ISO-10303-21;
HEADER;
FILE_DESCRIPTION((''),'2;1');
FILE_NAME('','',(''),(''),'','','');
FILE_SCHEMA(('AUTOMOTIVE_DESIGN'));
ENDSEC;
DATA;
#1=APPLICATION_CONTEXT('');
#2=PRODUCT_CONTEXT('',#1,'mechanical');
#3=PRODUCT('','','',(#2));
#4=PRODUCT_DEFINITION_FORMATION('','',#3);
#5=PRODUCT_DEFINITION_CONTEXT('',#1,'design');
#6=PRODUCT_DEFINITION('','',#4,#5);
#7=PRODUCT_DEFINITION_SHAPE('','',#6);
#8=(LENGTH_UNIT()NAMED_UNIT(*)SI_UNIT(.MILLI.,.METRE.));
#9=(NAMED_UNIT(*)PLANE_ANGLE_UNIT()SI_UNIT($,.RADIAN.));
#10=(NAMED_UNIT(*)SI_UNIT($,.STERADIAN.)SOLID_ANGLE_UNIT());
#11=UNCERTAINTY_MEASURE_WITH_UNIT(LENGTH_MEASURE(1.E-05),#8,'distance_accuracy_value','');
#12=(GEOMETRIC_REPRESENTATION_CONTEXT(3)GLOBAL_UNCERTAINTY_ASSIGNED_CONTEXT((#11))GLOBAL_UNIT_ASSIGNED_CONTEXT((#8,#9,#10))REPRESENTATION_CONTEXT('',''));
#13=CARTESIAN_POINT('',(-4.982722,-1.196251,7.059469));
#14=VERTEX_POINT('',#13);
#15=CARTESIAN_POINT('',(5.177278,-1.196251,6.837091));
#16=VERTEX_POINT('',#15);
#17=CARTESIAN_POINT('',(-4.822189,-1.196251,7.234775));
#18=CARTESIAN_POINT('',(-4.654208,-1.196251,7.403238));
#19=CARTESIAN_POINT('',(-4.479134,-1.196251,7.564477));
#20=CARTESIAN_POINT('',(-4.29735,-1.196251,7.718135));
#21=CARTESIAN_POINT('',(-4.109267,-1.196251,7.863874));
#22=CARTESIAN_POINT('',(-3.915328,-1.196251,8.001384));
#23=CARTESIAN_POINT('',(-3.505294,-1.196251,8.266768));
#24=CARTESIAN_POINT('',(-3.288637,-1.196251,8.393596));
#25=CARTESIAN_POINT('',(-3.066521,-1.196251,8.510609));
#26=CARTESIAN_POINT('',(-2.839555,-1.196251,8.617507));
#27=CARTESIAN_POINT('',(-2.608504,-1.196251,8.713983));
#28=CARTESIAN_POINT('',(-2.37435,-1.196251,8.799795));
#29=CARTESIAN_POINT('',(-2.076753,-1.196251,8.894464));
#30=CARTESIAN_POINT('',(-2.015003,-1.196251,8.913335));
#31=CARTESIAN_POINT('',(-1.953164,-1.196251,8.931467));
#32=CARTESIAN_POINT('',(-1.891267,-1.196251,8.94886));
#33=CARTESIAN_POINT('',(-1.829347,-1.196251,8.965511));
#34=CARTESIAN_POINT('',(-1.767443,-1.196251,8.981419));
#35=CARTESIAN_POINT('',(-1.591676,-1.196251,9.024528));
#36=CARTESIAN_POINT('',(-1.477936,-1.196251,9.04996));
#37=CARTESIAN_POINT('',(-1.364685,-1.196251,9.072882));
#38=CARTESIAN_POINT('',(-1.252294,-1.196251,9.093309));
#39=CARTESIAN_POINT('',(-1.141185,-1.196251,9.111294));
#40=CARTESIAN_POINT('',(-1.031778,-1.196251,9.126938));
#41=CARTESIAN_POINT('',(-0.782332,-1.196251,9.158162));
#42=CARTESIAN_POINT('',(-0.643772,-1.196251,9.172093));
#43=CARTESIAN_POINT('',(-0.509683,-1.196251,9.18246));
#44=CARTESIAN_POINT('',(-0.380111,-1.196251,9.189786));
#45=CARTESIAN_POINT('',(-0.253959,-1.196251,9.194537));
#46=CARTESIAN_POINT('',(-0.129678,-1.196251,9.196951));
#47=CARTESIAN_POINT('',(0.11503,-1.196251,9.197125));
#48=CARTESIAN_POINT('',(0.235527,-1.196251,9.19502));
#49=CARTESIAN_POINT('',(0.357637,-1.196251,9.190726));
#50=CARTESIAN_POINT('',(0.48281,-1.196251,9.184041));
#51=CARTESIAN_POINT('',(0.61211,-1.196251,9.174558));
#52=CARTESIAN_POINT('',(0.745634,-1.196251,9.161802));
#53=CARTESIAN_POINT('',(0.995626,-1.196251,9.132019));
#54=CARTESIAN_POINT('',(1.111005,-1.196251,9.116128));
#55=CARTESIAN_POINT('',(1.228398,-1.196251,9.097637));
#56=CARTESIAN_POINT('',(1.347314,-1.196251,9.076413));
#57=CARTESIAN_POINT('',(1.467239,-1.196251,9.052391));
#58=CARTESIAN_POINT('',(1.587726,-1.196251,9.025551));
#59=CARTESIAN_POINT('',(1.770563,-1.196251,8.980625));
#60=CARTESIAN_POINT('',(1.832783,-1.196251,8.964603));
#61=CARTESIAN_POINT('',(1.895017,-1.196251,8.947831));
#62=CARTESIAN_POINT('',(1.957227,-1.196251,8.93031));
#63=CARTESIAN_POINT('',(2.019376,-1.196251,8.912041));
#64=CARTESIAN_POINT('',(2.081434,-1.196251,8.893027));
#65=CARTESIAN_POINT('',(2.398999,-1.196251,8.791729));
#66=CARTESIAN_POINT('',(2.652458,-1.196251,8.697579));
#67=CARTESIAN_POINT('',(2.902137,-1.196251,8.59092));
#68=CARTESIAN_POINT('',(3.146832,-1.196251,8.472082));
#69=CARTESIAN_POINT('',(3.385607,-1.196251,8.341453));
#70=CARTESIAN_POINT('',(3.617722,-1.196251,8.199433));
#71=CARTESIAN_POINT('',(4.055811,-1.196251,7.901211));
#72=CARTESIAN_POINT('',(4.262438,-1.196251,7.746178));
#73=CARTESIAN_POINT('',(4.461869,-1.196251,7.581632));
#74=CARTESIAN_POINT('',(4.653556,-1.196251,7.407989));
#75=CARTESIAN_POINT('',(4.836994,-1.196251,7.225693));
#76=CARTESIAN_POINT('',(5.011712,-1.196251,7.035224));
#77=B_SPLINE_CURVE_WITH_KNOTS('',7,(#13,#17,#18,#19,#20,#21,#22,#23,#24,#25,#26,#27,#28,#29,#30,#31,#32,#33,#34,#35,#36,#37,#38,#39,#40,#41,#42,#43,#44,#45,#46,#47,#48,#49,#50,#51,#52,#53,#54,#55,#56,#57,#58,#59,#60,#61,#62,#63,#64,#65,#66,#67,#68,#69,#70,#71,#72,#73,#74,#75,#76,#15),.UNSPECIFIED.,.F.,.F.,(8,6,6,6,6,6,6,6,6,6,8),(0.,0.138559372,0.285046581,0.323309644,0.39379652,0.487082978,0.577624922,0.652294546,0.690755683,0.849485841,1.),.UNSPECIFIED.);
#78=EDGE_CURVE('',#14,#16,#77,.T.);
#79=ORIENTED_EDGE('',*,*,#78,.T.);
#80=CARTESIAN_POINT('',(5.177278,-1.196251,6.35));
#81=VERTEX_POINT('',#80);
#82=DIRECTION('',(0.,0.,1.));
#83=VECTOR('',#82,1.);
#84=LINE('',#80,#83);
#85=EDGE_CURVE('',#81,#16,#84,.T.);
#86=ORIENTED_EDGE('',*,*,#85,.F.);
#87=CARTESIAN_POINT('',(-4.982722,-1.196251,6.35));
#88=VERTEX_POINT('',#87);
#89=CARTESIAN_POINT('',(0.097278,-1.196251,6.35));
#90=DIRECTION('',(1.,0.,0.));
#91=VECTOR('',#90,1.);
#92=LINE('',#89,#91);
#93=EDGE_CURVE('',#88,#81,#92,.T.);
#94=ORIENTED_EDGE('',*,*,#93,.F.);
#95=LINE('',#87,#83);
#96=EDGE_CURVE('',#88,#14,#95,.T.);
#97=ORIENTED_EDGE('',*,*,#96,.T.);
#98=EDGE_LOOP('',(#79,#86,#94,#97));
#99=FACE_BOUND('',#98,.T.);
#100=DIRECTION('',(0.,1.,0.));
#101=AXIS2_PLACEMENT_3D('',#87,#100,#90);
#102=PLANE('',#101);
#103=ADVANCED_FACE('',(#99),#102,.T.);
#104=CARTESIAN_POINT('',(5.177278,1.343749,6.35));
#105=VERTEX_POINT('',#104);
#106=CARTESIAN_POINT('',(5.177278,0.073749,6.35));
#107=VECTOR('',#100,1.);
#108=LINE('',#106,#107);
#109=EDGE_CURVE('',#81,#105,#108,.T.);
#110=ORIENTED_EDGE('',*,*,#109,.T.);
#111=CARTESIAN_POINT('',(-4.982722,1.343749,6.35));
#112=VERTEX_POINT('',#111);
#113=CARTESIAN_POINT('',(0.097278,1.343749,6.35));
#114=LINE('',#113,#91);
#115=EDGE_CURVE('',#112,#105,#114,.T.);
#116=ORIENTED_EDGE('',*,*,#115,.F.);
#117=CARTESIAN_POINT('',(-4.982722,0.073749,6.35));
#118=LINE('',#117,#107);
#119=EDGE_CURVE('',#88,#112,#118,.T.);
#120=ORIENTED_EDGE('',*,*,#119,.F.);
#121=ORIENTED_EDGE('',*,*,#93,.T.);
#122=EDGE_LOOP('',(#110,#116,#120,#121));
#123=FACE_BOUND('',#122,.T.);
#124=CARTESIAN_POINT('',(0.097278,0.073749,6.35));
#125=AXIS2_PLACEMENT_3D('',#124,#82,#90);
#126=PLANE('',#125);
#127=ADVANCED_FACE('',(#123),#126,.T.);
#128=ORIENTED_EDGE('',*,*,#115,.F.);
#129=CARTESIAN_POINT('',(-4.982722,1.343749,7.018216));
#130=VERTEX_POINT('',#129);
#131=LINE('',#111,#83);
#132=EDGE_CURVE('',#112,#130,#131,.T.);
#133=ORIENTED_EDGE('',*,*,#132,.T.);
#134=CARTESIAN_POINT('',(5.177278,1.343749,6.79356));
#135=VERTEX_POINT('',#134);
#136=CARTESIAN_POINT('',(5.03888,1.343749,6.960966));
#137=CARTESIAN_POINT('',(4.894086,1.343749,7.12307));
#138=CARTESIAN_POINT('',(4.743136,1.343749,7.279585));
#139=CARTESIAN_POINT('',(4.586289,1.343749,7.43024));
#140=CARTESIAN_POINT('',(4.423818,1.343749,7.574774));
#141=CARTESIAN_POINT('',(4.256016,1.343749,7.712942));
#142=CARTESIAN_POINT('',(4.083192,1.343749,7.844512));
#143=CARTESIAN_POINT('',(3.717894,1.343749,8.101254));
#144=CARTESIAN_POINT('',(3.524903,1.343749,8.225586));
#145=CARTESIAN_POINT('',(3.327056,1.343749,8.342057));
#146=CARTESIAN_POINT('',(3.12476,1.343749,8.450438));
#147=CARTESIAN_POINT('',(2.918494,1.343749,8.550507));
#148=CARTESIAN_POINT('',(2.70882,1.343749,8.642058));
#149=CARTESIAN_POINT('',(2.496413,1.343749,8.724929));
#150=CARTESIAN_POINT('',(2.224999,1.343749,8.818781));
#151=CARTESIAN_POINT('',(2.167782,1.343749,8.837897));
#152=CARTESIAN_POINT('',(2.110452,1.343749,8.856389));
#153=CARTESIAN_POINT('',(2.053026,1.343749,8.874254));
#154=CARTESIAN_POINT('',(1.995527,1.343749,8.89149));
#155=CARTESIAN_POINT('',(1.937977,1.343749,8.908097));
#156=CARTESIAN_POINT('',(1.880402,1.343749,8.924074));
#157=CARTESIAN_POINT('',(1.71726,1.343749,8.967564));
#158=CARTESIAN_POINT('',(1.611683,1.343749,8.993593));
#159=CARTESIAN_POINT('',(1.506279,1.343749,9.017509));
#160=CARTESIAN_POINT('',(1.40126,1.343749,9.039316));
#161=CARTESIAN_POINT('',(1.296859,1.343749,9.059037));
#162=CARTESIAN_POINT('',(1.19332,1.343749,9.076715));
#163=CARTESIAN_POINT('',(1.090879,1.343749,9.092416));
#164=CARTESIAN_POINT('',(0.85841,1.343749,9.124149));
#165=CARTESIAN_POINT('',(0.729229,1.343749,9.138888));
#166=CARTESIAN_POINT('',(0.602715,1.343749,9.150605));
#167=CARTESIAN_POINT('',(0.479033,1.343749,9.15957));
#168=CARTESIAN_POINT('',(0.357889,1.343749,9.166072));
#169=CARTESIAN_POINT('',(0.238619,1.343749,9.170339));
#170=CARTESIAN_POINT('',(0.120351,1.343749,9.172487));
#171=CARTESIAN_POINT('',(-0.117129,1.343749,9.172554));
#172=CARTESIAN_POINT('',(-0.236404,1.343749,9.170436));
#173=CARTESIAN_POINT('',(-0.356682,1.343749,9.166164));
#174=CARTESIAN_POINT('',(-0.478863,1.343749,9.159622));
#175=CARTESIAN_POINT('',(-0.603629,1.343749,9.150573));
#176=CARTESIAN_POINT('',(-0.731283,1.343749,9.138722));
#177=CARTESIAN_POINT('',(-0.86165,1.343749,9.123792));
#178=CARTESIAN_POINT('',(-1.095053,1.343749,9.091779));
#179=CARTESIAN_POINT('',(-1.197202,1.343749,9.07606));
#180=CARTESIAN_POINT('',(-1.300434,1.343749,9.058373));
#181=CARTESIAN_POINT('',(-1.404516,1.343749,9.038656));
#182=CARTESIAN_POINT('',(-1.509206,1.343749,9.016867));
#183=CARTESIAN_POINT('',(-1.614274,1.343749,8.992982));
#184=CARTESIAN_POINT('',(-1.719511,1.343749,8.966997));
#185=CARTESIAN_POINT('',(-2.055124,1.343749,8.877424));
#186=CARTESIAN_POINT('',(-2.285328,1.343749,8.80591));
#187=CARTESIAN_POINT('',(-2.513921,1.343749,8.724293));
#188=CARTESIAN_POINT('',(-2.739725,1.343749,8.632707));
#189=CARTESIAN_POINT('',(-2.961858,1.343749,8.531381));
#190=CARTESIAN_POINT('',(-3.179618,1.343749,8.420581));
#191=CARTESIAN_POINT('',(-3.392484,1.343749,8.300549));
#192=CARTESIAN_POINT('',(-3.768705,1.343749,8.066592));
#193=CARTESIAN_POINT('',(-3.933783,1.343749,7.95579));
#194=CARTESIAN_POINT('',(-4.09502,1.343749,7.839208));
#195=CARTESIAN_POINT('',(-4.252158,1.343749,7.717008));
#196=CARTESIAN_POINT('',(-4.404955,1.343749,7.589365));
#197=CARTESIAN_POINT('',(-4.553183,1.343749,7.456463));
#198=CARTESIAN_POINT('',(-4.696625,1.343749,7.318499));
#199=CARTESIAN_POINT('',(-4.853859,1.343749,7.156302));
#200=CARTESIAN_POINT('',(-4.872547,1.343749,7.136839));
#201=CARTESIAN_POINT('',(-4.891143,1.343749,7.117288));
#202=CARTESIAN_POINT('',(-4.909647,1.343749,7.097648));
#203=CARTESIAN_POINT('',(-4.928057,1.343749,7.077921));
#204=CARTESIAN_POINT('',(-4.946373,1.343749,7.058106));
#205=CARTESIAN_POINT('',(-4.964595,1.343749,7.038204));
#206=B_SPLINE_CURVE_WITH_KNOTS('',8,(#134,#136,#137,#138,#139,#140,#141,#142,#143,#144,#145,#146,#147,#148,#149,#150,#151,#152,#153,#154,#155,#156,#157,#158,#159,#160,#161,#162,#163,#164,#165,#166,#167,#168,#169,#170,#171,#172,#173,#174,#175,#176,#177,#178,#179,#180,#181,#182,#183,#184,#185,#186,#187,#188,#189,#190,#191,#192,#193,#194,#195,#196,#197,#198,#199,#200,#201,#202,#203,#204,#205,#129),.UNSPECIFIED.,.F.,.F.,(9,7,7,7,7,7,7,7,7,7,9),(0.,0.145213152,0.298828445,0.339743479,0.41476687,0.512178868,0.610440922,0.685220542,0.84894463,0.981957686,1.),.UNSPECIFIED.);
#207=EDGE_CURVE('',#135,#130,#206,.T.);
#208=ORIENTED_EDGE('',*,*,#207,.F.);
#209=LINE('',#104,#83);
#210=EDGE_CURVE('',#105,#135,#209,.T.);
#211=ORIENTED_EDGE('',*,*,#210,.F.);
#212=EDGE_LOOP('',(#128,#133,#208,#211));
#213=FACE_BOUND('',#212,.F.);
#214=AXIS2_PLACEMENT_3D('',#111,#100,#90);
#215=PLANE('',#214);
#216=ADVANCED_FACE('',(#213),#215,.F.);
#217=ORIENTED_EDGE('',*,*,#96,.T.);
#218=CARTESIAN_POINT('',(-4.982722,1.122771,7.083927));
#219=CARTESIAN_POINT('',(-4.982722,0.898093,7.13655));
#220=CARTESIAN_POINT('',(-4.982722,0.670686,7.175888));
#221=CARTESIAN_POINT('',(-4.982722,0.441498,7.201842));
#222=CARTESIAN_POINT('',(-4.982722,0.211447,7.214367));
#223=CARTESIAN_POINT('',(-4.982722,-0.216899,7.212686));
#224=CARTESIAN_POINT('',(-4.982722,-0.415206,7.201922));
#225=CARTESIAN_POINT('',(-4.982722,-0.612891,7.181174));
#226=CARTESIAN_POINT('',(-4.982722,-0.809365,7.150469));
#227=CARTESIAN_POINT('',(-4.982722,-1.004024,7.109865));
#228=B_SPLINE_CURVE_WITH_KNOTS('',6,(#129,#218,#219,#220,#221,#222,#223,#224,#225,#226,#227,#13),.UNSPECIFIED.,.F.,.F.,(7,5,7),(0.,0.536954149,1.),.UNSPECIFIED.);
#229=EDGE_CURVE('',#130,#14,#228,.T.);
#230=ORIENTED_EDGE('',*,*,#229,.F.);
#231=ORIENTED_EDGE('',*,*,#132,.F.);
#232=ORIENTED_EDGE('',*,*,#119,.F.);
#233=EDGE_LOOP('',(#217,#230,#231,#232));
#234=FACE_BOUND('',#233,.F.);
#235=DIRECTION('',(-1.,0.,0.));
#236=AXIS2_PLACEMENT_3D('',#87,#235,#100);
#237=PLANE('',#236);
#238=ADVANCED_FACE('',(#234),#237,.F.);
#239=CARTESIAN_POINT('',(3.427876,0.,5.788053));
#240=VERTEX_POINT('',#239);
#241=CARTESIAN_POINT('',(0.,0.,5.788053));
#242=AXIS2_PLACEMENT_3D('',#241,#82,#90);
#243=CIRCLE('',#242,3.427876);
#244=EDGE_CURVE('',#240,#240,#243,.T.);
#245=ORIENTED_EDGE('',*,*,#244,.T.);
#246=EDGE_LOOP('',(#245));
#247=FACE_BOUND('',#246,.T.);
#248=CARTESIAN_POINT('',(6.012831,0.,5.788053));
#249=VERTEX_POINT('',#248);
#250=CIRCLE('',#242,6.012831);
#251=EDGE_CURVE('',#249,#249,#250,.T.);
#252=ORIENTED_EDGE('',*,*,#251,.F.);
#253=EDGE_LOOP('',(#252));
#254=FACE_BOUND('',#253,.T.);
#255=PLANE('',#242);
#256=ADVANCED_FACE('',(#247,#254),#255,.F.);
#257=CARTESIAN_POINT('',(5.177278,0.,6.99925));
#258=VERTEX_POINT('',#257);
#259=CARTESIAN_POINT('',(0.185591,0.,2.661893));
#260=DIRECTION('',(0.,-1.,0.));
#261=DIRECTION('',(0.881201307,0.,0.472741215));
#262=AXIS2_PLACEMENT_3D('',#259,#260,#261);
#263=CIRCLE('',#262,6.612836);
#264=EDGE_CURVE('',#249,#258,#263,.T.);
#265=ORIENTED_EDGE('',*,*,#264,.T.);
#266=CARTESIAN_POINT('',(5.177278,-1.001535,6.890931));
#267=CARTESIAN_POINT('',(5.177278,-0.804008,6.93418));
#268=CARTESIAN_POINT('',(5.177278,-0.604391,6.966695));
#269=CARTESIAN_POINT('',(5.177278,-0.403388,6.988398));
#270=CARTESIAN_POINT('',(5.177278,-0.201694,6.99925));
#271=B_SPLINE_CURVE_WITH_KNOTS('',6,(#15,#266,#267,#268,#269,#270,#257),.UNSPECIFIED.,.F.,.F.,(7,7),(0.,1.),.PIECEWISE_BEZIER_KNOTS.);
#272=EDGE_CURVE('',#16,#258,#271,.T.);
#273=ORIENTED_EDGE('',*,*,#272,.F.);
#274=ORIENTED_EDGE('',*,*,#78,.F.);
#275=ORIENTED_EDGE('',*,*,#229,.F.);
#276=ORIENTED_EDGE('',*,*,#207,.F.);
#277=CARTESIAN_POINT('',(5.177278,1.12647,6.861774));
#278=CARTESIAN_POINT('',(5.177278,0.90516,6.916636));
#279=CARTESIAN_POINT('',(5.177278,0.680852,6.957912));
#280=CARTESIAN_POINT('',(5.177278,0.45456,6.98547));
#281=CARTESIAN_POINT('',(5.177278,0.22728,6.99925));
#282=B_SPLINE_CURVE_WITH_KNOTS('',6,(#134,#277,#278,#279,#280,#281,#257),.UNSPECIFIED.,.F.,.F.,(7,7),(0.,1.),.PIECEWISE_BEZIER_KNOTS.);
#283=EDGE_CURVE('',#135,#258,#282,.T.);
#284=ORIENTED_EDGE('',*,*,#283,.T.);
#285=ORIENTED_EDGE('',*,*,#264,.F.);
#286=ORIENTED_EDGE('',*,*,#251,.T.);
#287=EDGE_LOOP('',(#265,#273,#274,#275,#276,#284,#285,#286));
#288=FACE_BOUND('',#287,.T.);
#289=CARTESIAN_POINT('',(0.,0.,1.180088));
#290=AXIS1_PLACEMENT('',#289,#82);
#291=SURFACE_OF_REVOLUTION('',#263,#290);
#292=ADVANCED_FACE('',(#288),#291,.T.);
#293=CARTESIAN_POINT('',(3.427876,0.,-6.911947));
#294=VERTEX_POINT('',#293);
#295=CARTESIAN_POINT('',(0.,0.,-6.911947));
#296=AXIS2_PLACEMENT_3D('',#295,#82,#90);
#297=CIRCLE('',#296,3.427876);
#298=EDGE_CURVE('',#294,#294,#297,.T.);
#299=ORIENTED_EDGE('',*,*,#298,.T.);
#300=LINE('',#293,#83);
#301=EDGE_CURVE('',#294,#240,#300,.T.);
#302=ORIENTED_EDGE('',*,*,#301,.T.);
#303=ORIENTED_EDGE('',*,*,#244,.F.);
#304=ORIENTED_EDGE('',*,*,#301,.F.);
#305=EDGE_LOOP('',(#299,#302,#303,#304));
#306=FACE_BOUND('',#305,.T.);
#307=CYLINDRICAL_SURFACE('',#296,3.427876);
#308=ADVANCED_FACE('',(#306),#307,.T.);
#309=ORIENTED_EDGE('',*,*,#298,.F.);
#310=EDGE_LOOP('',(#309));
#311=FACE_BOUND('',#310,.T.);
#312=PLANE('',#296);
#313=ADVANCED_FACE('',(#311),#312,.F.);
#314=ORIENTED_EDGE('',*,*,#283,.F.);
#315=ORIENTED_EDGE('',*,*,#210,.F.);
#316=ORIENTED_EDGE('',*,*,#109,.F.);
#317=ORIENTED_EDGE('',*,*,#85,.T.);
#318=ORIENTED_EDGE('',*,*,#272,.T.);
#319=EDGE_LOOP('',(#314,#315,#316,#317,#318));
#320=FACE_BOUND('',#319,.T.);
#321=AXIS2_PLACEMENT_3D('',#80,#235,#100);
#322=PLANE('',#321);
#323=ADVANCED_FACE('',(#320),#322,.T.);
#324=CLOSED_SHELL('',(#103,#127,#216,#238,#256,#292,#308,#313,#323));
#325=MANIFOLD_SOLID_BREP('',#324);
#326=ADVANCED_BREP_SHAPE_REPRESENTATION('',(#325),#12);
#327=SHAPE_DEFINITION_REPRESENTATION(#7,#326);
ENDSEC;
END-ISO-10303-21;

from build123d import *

# Parameters (mm, degrees)
F3_W     = 10.16
F3_H     = 2.54
F4_DEPTH = 25.4


with BuildPart() as f1:
    # F0 (on Front) → F1 (revolve)
    with BuildSketch(Plane.XZ):
        with BuildLine():
            Line((0, 9.272124), (0, -6.911947))
            Line((0, -6.911947), (3.427876, -6.911947))
            Line((3.427876, -6.911947), (3.427876, 5.788053))
            Line((3.427876, 5.788053), (6.012831, 5.788053))
            ThreePointArc((6.012831, 5.788053), (3.50097, 8.383594), (0, 9.272124))
        make_face()
    revolve(axis=Axis((0, 0, 1.180088), (0, 0, 1)))

    # F3 (on offset) → F4 (cut)
    with BuildSketch(Plane.XY.offset(6.35)):
        with Locations((0.097278, 0.073749)):
            Rectangle(F3_W, F3_H)
    extrude(amount=F4_DEPTH, mode=Mode.SUBTRACT)


solid = f1.part
